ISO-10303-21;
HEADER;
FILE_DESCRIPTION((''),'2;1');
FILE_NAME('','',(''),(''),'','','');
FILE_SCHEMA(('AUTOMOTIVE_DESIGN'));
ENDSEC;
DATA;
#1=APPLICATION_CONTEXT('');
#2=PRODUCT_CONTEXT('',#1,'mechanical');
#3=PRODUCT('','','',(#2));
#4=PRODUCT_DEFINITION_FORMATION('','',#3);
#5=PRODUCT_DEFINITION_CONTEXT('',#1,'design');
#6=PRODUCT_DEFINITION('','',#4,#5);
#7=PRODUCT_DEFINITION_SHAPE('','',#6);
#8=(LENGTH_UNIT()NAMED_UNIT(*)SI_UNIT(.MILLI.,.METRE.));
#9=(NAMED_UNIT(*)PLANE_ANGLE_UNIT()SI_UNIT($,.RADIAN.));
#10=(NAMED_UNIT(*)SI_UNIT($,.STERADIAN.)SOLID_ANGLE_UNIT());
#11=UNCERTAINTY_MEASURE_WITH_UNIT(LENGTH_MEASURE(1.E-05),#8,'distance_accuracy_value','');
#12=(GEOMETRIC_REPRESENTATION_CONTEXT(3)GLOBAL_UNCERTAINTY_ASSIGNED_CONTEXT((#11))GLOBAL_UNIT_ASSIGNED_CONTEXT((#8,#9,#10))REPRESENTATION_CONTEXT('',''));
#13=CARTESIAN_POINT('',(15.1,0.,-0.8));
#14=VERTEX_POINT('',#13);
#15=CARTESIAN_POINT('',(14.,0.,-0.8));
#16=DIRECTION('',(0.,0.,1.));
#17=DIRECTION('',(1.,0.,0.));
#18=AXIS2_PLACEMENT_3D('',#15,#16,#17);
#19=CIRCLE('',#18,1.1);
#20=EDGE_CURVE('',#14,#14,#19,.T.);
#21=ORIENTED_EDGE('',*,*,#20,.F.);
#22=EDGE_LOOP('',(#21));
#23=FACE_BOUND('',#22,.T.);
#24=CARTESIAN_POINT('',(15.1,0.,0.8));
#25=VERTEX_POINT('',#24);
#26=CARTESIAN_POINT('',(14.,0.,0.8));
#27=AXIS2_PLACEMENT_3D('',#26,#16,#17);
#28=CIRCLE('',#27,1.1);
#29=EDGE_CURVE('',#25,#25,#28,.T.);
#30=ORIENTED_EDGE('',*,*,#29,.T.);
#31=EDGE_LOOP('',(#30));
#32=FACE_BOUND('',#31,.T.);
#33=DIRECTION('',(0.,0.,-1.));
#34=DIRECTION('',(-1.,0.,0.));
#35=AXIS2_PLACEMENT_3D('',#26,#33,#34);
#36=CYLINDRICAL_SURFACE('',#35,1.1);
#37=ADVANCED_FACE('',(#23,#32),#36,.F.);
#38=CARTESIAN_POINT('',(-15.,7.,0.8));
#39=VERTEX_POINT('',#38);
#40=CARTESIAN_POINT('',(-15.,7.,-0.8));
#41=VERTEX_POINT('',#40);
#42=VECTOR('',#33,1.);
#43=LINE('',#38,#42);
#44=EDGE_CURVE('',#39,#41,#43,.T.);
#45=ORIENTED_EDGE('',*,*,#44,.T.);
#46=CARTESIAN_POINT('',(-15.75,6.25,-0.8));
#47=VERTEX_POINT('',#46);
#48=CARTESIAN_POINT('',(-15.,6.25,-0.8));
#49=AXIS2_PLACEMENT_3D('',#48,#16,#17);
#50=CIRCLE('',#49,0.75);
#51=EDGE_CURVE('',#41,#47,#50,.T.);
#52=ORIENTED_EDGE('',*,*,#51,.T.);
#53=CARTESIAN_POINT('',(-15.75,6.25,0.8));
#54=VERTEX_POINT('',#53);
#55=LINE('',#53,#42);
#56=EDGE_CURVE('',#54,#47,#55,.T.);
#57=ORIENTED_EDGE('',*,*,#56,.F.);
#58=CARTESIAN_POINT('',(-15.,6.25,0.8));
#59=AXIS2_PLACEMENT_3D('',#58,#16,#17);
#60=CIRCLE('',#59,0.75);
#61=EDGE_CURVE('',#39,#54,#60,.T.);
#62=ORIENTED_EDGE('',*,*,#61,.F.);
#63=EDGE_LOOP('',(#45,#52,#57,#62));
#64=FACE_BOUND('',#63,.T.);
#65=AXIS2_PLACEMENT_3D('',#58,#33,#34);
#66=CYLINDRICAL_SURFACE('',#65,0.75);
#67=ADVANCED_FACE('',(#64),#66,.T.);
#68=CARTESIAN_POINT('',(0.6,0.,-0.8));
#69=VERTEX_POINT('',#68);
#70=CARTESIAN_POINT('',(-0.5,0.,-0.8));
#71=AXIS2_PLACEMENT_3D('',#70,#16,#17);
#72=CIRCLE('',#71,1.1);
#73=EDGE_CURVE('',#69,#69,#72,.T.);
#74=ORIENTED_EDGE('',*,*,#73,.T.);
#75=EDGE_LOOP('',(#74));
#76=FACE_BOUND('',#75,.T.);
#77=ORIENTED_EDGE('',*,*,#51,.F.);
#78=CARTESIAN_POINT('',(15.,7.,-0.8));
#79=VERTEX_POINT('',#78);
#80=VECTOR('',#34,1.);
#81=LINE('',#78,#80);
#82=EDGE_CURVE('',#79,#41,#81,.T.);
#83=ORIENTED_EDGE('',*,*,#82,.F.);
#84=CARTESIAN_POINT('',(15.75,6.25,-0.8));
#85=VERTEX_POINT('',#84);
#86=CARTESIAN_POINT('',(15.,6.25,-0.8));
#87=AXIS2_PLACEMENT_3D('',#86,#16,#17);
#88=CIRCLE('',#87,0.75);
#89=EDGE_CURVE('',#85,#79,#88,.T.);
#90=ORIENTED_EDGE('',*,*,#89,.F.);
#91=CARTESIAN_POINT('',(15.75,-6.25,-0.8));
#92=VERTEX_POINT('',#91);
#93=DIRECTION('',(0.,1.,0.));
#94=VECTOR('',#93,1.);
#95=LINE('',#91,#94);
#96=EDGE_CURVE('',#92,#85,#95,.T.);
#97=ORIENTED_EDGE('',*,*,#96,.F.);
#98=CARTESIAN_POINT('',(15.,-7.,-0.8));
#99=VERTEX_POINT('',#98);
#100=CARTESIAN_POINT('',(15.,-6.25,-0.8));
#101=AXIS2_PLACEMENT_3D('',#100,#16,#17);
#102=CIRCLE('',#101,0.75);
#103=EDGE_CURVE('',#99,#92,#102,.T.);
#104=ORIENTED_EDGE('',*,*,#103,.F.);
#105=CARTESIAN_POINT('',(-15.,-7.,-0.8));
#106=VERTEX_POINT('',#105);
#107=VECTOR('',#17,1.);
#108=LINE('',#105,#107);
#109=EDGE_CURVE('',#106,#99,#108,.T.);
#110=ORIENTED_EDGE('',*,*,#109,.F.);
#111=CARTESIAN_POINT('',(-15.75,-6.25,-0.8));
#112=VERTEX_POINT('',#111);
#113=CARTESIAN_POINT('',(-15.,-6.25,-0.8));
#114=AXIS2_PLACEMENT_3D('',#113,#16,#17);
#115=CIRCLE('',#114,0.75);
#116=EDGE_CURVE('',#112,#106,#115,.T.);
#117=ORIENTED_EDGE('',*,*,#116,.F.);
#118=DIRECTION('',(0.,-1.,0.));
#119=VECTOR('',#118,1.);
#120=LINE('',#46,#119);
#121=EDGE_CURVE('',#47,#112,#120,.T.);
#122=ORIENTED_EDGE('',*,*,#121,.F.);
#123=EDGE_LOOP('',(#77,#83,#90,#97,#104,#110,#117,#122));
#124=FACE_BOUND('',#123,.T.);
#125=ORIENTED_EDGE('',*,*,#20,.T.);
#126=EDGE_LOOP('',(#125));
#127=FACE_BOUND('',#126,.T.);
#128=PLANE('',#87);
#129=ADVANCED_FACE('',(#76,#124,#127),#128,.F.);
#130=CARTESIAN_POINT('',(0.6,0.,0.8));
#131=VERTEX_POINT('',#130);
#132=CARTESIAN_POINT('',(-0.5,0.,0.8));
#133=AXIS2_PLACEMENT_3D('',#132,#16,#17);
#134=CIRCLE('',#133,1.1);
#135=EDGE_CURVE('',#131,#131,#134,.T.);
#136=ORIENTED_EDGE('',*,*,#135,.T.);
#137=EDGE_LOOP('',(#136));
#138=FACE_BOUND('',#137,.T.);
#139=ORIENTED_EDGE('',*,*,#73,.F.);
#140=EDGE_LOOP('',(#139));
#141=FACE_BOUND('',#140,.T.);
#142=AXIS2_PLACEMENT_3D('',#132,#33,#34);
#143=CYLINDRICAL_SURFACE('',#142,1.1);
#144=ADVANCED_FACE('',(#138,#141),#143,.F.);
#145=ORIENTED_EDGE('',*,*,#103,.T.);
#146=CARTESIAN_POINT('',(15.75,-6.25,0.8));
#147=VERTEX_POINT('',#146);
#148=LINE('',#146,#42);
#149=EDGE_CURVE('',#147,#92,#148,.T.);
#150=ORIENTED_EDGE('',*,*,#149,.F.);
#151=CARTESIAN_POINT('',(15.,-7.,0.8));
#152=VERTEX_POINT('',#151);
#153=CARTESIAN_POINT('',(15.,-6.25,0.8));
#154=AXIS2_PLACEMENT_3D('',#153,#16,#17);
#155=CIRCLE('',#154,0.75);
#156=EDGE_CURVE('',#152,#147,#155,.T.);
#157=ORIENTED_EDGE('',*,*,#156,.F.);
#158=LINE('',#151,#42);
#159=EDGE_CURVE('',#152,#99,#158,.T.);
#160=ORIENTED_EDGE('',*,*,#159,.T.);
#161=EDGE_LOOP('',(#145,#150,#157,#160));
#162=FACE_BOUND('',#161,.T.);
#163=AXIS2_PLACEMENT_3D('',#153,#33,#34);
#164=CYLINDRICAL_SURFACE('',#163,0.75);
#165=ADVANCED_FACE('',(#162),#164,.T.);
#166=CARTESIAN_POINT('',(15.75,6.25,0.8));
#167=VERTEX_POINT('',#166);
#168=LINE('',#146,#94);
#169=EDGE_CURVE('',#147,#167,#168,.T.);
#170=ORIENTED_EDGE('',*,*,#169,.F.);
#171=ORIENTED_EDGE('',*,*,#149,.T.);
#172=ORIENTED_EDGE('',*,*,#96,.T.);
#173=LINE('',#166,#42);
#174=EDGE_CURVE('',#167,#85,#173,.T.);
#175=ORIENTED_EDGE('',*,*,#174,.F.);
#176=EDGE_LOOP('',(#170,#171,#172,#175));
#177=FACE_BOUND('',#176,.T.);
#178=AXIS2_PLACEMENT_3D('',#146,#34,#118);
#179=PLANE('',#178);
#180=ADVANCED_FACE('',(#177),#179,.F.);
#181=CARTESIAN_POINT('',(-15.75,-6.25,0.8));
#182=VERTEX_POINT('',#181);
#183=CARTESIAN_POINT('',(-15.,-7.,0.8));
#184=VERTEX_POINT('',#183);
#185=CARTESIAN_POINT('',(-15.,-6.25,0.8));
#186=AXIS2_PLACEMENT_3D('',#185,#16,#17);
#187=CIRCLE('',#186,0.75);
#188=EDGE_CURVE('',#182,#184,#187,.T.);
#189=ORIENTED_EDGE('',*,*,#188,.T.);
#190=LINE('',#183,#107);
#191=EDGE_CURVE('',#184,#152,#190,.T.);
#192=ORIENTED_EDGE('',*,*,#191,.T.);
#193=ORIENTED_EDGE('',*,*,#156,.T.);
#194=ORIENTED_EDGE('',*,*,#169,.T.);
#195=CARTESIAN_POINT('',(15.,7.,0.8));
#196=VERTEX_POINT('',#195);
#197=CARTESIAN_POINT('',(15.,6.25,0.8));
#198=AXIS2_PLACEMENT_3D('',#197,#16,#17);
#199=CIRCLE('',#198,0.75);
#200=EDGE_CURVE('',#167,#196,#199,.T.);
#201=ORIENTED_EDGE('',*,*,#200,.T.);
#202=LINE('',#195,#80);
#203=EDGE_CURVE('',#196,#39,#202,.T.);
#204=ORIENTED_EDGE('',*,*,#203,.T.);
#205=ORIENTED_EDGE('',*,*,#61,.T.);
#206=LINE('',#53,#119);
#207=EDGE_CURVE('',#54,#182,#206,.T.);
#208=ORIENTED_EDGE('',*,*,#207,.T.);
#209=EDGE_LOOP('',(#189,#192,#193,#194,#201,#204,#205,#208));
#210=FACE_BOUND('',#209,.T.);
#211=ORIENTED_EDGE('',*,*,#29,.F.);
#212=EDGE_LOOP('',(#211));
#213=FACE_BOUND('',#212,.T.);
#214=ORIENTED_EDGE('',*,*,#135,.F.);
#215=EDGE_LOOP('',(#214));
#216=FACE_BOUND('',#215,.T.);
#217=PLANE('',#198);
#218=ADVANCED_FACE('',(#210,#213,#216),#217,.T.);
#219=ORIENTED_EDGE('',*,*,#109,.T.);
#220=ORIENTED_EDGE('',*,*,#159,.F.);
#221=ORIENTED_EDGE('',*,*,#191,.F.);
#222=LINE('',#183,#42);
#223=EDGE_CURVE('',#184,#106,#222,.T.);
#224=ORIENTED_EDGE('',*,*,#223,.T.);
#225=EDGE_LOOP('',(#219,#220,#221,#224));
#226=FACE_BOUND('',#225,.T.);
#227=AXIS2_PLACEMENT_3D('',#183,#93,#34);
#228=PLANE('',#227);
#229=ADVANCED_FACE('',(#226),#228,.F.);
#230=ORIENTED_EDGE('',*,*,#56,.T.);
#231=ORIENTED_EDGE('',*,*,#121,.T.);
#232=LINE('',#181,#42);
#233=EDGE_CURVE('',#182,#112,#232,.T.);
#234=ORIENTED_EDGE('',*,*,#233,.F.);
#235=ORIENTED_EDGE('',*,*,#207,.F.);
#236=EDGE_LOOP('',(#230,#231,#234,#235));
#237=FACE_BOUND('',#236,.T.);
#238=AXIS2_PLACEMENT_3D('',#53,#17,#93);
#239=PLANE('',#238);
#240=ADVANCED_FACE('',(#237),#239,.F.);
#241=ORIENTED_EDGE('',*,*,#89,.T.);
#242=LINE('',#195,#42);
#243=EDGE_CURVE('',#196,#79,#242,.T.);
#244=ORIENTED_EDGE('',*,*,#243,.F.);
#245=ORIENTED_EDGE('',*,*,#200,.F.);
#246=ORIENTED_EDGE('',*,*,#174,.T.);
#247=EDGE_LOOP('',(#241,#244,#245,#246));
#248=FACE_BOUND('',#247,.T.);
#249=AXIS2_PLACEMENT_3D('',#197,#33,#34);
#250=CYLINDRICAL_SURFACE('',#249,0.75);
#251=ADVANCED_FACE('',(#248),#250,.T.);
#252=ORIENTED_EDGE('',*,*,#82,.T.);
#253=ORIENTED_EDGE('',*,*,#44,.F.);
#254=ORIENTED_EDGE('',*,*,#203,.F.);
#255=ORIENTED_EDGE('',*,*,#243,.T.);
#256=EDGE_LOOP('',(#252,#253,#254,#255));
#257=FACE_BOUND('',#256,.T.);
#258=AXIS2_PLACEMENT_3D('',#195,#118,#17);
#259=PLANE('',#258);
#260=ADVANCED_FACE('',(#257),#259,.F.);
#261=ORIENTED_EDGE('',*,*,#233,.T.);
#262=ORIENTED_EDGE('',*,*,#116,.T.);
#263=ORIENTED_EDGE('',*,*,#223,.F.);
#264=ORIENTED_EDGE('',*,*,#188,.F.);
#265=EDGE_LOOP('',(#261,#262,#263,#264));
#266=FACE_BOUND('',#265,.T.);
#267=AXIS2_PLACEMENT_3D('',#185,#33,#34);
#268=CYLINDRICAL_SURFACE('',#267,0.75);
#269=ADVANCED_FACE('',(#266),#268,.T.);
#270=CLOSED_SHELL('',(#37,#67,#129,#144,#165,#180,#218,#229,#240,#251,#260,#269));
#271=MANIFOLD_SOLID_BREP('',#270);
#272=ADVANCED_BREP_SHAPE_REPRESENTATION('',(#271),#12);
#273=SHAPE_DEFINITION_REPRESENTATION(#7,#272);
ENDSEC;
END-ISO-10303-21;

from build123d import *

# Parameters (mm, degrees)
MODEL_R             = 1.1
BOSS_EXTRUDE1_DEPTH = 0.8


with BuildPart() as part:
    # Model → Boss-Extrude1 (new, symmetric)
    with BuildSketch(Plane.XY):
        with BuildLine():
            Line((-15, -7), (15, -7))
            ThreePointArc((15, -7), (15.530330086, -6.780330086), (15.75, -6.25))
            Line((15.75, -6.25), (15.75, 6.25))
            ThreePointArc((15.75, 6.25), (15.530330086, 6.780330086), (15, 7))
            Line((15, 7), (-15, 7))
            ThreePointArc((-15, 7), (-15.530330086, 6.780330086), (-15.75, 6.25))
            Line((-15.75, 6.25), (-15.75, -6.25))
            ThreePointArc((-15.75, -6.25), (-15.530330086, -6.780330086), (-15, -7))
        make_face()
        with Locations((-0.5, 0)):
            Circle(MODEL_R, mode=Mode.SUBTRACT)
        with Locations((14, 0)):
            Circle(MODEL_R, mode=Mode.SUBTRACT)
    extrude(amount=BOSS_EXTRUDE1_DEPTH, both=True)


solid = part.part
